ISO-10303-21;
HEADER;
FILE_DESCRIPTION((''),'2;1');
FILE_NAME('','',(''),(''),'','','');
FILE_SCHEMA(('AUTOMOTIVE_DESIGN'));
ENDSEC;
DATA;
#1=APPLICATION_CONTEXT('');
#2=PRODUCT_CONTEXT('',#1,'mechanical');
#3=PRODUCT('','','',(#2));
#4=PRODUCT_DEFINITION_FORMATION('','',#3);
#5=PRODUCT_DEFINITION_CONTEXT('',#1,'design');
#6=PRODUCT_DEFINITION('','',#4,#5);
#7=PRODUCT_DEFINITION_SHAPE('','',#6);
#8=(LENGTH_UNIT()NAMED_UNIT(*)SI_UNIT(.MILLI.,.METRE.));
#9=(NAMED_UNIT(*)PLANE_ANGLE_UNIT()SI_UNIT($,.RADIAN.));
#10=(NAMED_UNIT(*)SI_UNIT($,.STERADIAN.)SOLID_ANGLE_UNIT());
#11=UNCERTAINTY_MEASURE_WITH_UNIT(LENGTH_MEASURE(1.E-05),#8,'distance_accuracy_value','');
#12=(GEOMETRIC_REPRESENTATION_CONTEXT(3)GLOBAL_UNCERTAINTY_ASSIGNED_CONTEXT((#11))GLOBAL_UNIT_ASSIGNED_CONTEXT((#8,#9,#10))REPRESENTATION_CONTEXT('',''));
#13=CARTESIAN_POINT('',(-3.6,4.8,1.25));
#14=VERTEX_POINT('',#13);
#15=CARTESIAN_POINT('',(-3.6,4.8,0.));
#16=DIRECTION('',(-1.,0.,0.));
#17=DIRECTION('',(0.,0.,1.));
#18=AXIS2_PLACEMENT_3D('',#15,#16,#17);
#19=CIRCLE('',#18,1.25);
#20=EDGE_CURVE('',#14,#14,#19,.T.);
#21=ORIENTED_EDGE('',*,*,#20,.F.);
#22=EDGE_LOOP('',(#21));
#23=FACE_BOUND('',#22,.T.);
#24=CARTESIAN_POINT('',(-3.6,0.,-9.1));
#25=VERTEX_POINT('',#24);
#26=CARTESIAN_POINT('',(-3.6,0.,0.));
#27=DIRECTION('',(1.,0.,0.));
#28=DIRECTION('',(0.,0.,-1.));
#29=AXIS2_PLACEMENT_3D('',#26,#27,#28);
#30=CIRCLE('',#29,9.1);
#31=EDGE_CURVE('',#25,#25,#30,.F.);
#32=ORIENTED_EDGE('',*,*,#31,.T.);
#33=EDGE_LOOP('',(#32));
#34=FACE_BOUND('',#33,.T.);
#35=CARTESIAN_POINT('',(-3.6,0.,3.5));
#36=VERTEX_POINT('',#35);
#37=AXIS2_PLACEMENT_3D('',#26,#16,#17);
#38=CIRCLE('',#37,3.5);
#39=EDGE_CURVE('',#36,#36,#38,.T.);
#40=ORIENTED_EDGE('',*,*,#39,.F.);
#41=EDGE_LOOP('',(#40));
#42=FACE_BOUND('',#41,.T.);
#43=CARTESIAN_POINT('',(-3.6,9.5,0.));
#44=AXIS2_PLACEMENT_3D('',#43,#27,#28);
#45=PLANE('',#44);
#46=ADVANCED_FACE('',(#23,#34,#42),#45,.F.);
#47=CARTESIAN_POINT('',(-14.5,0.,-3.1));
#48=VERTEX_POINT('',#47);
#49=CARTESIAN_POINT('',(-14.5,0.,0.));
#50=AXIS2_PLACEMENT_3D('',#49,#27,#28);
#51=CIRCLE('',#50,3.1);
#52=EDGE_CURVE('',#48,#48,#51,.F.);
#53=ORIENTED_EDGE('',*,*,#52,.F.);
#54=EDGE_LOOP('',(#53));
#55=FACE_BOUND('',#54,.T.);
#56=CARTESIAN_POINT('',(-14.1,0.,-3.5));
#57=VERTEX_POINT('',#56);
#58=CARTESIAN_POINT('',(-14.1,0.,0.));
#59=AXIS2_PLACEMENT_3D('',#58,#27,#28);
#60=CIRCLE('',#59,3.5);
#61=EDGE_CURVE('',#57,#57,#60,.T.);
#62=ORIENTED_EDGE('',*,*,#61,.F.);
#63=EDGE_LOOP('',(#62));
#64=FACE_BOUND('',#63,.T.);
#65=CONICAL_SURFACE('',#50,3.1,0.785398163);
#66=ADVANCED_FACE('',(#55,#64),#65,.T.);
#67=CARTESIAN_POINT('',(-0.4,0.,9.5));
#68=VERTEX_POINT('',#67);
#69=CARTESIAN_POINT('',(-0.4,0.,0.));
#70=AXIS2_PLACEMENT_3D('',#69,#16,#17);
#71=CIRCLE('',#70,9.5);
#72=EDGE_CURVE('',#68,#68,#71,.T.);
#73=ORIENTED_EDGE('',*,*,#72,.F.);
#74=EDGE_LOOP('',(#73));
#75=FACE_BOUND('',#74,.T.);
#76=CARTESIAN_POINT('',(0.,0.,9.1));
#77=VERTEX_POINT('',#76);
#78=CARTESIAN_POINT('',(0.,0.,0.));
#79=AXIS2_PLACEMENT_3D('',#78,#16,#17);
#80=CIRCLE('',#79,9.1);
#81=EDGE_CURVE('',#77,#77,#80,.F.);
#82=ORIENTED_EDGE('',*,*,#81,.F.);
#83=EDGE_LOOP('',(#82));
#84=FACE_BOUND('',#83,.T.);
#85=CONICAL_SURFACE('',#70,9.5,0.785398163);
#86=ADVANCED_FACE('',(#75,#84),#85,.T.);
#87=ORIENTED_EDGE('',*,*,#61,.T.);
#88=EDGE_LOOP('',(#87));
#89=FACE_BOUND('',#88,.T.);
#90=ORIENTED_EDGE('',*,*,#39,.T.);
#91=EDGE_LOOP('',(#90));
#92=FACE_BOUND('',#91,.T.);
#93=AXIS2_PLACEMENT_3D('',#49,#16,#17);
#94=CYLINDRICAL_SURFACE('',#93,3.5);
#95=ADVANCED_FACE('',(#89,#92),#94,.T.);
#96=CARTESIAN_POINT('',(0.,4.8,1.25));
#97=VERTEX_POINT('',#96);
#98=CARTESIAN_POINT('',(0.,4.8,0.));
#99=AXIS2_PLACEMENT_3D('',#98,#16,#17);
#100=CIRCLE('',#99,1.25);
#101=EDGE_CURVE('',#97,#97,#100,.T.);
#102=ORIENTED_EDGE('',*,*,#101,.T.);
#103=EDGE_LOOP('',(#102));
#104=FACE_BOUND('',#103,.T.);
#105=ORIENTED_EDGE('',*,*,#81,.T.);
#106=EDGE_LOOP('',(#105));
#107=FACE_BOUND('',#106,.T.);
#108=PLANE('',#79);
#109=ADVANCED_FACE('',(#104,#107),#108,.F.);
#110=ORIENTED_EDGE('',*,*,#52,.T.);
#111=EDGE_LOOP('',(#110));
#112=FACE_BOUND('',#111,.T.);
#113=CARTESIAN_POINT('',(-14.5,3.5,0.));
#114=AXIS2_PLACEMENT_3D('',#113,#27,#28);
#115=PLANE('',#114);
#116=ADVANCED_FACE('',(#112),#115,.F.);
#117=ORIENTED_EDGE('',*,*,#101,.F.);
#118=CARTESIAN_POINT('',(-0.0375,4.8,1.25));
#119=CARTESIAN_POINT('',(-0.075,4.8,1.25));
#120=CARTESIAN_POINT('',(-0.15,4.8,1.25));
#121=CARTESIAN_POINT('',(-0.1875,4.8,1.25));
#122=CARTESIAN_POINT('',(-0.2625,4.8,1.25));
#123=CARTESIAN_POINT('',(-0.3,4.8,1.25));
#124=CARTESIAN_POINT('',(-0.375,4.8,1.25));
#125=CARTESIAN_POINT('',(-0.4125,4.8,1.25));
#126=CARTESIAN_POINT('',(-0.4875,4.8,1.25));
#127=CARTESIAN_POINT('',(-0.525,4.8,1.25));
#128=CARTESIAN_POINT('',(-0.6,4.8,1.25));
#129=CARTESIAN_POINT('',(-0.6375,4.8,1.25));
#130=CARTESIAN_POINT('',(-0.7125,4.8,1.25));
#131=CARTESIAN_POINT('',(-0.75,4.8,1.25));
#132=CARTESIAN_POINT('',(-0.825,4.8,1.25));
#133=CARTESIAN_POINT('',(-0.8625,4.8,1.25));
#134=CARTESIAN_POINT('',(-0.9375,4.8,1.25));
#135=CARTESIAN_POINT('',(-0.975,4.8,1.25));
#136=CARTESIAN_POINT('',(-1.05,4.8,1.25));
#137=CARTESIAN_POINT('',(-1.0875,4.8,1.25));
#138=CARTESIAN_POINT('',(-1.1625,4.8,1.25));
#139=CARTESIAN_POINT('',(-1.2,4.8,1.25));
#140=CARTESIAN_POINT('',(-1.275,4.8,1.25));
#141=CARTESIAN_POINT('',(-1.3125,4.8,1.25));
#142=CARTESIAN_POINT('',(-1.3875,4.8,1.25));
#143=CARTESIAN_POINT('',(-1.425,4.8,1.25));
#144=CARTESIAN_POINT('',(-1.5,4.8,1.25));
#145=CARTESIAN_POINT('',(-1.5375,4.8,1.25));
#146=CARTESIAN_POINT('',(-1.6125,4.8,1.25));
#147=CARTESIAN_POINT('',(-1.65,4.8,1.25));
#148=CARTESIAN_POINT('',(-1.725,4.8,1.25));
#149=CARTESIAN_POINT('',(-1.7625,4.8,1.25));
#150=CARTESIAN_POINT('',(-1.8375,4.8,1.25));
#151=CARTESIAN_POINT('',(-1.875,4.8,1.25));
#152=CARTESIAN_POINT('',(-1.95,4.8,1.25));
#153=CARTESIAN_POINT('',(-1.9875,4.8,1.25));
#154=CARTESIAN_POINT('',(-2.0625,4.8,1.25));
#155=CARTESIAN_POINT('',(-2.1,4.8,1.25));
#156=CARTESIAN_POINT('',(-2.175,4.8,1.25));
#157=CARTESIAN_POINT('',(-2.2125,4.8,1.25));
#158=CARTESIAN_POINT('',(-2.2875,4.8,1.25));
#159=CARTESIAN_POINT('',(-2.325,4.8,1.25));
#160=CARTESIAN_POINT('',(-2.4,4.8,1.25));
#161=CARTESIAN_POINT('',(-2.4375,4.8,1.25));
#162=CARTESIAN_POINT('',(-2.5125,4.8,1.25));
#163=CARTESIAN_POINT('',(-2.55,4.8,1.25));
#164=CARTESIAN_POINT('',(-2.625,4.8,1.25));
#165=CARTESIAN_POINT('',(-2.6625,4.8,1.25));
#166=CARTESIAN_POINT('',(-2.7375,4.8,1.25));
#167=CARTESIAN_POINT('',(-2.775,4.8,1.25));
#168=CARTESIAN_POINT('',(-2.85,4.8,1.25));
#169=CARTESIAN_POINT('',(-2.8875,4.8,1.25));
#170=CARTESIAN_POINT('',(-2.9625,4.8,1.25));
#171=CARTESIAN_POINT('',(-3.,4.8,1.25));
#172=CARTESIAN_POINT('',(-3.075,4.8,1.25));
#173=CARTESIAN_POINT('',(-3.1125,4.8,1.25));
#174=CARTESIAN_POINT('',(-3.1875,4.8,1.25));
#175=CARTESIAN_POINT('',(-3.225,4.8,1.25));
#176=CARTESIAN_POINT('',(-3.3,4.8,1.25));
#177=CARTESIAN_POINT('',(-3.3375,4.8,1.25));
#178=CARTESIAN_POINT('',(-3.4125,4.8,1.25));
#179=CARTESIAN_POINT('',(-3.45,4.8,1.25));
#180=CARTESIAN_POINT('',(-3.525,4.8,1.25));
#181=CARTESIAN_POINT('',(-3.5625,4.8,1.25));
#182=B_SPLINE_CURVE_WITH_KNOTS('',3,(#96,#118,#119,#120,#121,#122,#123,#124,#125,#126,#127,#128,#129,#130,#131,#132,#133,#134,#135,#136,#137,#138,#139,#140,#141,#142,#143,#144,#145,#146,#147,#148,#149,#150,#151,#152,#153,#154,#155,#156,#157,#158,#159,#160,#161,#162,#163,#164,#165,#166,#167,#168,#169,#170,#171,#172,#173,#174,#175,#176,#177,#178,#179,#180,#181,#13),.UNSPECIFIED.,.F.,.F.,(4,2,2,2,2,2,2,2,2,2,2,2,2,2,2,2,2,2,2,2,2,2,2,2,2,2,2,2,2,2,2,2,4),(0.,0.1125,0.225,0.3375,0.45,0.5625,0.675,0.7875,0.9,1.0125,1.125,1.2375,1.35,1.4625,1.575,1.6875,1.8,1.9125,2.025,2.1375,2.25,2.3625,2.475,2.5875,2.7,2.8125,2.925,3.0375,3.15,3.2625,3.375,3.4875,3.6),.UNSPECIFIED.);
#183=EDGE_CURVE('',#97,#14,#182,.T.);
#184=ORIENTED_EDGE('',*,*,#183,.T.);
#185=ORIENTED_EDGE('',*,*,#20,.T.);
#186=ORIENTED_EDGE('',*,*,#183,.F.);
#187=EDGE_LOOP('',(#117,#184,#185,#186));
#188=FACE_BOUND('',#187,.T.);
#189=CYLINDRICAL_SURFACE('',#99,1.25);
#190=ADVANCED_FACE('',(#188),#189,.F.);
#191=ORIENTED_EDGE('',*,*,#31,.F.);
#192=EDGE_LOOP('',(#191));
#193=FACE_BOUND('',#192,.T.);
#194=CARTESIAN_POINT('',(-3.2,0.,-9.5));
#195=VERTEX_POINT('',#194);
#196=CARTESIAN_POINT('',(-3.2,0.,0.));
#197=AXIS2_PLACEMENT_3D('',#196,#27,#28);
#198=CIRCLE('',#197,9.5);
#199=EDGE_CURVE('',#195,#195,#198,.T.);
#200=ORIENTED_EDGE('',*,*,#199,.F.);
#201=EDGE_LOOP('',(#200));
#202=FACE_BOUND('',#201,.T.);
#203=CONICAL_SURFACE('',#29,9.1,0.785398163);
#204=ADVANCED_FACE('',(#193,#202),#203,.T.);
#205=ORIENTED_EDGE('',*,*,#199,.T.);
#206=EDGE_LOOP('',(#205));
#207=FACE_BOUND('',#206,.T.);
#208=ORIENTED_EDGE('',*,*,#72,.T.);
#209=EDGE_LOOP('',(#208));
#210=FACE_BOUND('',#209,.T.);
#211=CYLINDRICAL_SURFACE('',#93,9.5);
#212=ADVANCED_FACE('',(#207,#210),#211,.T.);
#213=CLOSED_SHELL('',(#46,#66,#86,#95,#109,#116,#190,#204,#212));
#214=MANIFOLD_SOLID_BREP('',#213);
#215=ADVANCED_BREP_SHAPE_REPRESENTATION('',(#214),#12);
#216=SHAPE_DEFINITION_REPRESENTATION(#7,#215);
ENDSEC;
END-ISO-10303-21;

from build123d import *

# Parameters (mm, degrees)
SKETCH_3_R          = 1.25
CUT_EXTRUDE_1_DEPTH = 18.300578025
CHAMFER_1_SIZE      = 0.4


with BuildPart() as part:
    # Эскиз2 → Повернуть1 (revolve)
    with BuildSketch(Plane.XY, mode=Mode.PRIVATE) as revolve_1_sk:
        Polygon((0, 0), (0, 9.5), (-3.6, 9.5), (-3.6, 3.5), (-14.5, 3.5), (-14.5, 0), align=None)
    revolve(revolve_1_sk.sketch.rotate(Axis((-14.5, 0, 0), (1, 0, 0)), 90), axis=Axis((-14.5, 0, 0), (1, 0, 0)))

    # Эскиз3 → Вырез-Вытянуть1 (cut, through all)
    with BuildSketch(Plane.ZY.offset(3.6)):
        with Locations((0, 4.8)):
            Circle(SKETCH_3_R)
    extrude(amount=-CUT_EXTRUDE_1_DEPTH, mode=Mode.SUBTRACT)

    # Фаска1
    chamfer_1_edges = [part.edges().sort_by_distance(p)[0] for p in [
        (-14.5, 0, -3.5),
        (-3.6, 0, -9.5),
        (0, 0, -9.5),
    ]]
    chamfer(chamfer_1_edges, length=CHAMFER_1_SIZE)


solid = part.part
